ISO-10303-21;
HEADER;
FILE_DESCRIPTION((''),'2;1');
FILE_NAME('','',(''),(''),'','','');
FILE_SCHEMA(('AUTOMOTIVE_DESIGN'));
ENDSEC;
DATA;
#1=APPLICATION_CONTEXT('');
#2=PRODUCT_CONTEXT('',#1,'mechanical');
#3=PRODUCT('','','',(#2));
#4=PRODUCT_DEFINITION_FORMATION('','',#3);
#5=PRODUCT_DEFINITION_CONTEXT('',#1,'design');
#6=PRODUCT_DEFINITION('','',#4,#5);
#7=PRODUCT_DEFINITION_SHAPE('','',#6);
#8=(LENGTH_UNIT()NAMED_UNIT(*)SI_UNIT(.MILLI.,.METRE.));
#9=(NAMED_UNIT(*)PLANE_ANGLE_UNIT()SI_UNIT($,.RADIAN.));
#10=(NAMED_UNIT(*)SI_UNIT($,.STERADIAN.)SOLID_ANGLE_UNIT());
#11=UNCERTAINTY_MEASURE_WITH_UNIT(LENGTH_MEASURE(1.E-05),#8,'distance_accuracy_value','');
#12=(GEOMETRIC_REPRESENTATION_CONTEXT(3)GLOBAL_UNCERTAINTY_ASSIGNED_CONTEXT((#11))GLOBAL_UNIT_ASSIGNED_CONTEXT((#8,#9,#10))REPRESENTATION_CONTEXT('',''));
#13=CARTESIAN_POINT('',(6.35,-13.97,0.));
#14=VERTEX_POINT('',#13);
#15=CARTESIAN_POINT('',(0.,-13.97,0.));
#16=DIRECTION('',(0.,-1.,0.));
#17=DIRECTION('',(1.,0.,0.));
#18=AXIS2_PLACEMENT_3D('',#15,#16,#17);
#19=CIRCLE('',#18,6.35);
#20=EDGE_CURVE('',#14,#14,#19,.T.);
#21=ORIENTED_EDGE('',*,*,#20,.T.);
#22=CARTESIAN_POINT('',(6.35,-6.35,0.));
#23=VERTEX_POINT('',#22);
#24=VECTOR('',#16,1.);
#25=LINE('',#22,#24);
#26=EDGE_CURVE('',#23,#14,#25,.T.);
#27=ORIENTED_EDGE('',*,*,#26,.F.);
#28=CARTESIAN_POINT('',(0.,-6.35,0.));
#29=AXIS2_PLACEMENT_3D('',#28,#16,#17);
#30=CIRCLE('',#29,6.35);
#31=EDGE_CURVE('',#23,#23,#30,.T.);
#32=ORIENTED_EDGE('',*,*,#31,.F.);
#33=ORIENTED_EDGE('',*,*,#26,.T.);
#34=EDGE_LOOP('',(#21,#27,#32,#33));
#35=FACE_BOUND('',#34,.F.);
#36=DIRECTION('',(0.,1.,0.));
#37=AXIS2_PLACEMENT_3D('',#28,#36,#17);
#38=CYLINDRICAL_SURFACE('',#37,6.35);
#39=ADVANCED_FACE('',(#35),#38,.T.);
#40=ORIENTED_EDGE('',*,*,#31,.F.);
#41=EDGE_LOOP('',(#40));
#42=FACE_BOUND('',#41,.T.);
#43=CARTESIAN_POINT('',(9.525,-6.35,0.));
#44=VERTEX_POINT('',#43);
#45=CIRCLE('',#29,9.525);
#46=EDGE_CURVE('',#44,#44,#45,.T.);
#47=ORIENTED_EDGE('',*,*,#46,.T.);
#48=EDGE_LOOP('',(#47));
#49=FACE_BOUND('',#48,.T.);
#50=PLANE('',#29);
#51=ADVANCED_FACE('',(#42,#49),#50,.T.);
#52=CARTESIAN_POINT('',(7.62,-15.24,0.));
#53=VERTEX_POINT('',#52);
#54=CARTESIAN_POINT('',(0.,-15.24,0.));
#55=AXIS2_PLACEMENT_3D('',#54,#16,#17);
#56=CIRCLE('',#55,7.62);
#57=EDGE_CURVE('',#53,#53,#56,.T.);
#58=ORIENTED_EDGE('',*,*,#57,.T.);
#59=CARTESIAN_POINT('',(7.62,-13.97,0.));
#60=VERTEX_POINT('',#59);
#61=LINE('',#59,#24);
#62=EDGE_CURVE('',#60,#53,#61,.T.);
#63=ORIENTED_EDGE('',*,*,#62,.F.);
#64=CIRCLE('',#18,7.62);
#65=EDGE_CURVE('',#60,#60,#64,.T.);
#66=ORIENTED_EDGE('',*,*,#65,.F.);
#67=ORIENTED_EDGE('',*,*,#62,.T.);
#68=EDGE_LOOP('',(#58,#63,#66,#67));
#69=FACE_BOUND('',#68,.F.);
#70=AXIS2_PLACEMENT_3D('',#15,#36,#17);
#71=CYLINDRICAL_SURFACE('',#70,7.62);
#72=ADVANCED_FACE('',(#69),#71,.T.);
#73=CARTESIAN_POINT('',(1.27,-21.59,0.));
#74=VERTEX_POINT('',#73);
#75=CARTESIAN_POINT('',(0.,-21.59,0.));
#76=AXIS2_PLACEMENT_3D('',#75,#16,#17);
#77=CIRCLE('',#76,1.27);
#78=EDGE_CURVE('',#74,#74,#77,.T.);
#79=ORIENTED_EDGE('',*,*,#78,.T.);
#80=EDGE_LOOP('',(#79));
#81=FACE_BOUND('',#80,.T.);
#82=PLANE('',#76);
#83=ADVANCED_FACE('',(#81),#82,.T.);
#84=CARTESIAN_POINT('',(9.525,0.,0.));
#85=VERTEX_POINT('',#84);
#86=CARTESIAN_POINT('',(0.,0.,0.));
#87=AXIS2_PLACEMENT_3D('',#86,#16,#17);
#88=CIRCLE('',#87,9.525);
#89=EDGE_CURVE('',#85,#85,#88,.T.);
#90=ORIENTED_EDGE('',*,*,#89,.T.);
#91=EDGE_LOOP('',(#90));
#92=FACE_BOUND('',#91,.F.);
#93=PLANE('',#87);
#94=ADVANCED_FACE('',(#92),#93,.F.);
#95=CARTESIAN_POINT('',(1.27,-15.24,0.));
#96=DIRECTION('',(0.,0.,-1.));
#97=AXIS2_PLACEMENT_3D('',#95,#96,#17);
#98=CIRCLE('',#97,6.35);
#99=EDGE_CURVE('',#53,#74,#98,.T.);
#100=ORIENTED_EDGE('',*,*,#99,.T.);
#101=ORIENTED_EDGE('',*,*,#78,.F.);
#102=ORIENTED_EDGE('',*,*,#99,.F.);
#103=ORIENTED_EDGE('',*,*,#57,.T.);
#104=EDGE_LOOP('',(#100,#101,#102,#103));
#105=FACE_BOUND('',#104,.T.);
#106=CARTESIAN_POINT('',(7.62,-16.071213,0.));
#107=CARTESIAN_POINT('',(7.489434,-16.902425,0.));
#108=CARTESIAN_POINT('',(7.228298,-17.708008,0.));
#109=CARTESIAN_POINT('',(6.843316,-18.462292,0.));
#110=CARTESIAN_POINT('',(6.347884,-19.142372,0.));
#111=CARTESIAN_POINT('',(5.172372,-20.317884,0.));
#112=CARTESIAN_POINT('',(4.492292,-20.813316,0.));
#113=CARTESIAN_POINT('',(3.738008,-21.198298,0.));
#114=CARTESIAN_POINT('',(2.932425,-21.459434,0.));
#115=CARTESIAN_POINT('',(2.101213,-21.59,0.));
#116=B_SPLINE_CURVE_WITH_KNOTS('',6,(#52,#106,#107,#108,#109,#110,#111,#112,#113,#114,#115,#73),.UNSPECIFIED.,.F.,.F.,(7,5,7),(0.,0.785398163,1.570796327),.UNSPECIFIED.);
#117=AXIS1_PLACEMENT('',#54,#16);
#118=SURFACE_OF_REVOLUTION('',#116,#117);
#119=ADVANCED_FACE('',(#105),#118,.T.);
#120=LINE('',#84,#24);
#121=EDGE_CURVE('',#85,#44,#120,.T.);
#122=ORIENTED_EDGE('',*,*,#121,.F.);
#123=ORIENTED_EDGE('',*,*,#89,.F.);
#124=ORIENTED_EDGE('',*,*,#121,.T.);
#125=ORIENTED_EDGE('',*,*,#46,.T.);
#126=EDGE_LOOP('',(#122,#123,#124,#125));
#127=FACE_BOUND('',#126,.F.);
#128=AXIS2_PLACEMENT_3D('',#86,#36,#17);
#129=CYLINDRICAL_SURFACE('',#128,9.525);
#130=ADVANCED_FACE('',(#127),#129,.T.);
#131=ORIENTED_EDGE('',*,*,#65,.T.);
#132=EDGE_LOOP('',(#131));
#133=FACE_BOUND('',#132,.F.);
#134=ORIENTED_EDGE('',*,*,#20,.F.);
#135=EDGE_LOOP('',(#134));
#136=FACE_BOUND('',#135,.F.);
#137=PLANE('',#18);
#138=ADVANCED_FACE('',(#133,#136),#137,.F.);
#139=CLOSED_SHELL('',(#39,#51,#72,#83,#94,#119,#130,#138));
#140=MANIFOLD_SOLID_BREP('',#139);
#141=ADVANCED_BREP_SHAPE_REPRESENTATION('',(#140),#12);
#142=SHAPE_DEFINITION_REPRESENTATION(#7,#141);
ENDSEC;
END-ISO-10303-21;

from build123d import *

# Parameters (mm, degrees)
F0_R     = 9.525
F1_DEPTH = 6.35
F2_R     = 6.35
F3_DEPTH = 7.62
F4_R     = 7.62
F5_DEPTH = 7.62
F6_R     = 6.35


with BuildPart() as f1:
    # F0 (on Front) → F1 (new body)
    with BuildSketch(Plane.XZ):
        Circle(F0_R)
    extrude(amount=F1_DEPTH)

    # F2 (on face) → F3 (join)
    with BuildSketch(Plane.XZ.offset(6.35)):
        Circle(F2_R)
    extrude(amount=F3_DEPTH)

    # F4 (on face) → F5 (join)
    with BuildSketch(Plane.XZ.offset(13.97)):
        Circle(F4_R)
    extrude(amount=F5_DEPTH)

    # F6
    f6_edges = [f1.edges().sort_by_distance(p)[0] for p in [
        (-7.62, -21.59, 0),
    ]]
    fillet(f6_edges, radius=F6_R)


solid = f1.part
